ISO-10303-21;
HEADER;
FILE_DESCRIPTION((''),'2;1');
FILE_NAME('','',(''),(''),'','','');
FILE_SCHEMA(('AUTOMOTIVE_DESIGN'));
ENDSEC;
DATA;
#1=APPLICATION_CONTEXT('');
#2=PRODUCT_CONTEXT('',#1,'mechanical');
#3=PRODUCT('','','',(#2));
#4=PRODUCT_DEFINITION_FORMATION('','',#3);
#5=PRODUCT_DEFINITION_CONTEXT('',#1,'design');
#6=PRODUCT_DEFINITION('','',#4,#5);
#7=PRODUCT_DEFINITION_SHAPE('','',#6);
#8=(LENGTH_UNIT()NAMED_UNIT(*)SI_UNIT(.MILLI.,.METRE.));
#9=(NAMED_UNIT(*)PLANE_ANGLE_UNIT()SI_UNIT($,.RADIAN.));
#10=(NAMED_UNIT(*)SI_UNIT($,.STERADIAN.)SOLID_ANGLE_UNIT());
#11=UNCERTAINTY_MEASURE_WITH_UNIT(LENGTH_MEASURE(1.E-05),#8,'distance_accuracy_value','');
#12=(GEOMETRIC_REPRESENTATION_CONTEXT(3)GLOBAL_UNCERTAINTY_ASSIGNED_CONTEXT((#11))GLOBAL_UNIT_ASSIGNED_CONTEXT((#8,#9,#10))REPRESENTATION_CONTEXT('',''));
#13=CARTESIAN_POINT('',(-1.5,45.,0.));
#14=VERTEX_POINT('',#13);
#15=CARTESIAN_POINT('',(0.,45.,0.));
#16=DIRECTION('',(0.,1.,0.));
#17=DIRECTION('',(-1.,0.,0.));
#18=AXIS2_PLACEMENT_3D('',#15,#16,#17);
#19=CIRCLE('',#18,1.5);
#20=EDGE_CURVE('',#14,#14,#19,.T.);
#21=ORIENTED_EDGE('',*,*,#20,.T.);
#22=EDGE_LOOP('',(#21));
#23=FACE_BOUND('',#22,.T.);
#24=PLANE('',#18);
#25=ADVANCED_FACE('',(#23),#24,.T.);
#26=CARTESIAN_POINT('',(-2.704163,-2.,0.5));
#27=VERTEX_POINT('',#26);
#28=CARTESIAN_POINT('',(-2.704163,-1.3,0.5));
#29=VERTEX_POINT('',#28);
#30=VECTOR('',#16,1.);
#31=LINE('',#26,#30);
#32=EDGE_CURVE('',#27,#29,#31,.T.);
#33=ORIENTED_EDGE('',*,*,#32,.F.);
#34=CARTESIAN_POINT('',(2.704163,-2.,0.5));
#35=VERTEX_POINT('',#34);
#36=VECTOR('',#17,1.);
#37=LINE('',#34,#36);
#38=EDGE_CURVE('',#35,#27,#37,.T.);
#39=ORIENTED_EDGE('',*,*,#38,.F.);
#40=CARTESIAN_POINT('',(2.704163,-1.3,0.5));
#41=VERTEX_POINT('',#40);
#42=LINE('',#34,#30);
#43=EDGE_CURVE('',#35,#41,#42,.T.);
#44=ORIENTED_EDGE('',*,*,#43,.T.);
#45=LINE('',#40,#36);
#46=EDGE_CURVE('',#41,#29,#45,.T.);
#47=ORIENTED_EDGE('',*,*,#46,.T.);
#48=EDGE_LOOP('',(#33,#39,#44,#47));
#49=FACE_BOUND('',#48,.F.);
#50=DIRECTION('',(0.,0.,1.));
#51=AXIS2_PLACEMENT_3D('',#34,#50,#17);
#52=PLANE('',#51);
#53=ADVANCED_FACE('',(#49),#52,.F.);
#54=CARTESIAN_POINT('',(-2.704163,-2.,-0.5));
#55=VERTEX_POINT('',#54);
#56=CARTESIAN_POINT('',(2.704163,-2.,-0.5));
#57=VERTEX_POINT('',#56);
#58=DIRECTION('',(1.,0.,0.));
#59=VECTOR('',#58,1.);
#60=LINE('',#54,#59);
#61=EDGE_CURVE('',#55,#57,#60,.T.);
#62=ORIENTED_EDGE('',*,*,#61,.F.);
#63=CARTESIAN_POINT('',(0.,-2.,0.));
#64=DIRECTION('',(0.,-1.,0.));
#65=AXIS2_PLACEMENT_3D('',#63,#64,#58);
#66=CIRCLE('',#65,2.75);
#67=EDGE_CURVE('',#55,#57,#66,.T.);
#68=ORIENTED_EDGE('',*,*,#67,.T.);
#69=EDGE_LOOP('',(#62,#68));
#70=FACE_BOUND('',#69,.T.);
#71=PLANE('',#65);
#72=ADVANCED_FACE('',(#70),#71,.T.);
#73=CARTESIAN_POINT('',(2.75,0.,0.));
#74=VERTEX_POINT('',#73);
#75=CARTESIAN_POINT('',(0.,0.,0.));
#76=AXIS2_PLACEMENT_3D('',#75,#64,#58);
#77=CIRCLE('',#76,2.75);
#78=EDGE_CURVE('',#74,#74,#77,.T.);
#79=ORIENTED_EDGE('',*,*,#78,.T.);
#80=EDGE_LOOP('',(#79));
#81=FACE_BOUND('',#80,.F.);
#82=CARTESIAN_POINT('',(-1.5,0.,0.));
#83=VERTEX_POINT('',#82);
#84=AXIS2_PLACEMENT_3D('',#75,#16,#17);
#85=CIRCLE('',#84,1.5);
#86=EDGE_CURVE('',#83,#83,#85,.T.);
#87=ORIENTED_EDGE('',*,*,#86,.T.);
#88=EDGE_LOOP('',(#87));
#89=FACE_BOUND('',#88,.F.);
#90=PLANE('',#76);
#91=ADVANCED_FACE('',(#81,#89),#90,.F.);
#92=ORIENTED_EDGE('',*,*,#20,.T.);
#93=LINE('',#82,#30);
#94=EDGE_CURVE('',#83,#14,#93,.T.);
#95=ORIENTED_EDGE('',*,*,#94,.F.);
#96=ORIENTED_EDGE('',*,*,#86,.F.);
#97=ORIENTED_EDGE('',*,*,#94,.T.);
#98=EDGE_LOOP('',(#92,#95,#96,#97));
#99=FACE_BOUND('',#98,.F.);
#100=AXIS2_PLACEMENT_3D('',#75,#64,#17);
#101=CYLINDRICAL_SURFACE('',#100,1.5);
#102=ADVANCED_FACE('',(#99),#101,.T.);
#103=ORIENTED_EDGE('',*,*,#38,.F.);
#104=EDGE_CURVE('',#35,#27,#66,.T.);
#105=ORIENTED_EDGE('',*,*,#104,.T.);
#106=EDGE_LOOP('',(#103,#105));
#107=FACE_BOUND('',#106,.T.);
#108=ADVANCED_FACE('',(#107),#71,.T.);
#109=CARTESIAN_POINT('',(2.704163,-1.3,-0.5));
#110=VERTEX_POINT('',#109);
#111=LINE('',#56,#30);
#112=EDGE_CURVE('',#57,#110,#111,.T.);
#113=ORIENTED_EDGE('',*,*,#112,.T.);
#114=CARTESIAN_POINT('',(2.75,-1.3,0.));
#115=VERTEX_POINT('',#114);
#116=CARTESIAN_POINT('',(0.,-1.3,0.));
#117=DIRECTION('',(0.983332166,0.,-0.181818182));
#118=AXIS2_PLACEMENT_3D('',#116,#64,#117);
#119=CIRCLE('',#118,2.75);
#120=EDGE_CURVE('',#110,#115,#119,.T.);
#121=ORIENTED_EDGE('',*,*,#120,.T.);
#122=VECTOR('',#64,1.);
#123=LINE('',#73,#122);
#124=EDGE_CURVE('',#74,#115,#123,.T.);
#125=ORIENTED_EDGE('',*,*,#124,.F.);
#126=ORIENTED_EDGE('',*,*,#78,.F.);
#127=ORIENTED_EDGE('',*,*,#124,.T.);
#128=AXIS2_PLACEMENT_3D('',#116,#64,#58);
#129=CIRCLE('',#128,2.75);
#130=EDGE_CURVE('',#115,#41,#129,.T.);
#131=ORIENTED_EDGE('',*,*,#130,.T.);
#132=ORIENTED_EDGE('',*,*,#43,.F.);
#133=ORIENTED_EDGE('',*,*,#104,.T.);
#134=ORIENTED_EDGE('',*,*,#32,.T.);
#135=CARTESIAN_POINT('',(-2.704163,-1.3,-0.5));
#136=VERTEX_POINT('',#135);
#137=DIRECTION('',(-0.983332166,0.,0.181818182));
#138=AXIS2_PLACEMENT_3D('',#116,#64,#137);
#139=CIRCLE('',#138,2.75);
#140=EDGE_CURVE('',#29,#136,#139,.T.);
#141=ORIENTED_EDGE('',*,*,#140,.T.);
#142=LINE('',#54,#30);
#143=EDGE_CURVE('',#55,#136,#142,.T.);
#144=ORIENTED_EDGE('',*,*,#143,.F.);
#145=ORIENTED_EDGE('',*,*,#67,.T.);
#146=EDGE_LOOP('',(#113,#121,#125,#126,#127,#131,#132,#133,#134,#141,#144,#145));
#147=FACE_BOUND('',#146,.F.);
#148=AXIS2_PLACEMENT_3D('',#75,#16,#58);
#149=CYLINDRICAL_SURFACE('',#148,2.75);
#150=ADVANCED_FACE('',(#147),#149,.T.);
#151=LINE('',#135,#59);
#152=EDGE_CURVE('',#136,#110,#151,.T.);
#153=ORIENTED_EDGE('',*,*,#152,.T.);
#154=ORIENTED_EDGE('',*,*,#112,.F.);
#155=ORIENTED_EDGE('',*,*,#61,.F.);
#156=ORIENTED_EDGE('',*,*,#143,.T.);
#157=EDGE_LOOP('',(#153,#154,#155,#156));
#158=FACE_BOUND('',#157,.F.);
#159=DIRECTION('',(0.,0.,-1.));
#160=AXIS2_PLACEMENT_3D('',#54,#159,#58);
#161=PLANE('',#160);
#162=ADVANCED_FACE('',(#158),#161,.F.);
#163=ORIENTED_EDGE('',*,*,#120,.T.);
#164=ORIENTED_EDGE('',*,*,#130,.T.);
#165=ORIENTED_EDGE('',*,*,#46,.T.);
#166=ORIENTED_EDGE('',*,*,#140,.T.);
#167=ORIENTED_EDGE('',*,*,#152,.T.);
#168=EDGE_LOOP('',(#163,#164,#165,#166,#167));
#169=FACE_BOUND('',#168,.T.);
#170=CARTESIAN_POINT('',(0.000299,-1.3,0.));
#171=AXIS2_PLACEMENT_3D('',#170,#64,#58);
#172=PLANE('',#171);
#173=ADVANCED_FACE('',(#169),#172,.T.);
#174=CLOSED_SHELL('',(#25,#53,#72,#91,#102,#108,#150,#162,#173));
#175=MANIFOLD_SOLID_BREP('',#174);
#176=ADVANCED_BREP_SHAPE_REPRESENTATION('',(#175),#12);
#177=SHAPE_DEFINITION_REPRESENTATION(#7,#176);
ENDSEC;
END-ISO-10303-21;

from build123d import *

# Parameters (mm, degrees)
F0_R     = 2.75
F1_DEPTH = 2
F3_DEPTH = 0.7
F4_R     = 1.5
F5_DEPTH = 45


with BuildPart() as f1:
    # F0 (on Front) → F1 (new body)
    with BuildSketch(Plane.XZ):
        Circle(F0_R)
    extrude(amount=F1_DEPTH)

    # F2 (on face) → F3 (cut)
    with BuildSketch(Plane.XZ.offset(2)):
        with BuildLine():
            ThreePointArc((2.75, 0), (2.7385168893, 0.2510482965), (2.7041634566, 0.5))
            Line((2.7041634566, 0.5), (-2.7041634566, 0.5))
            ThreePointArc((-2.7041634566, 0.5), (-2.75, 0), (-2.7041634566, -0.5))
            Line((-2.7041634566, -0.5), (2.7041634566, -0.5))
            ThreePointArc((2.7041634566, -0.5), (2.7385168893, -0.2510482965), (2.75, 0))
        make_face()
    extrude(amount=-F3_DEPTH, mode=Mode.SUBTRACT)

    # F4 (on face) → F5 (join)
    with BuildSketch(Plane(origin=(0, 0, 0), x_dir=(-1, 0, 0), z_dir=(0, 1, 0))):
        Circle(F4_R)
    extrude(amount=F5_DEPTH)


solid = f1.part
